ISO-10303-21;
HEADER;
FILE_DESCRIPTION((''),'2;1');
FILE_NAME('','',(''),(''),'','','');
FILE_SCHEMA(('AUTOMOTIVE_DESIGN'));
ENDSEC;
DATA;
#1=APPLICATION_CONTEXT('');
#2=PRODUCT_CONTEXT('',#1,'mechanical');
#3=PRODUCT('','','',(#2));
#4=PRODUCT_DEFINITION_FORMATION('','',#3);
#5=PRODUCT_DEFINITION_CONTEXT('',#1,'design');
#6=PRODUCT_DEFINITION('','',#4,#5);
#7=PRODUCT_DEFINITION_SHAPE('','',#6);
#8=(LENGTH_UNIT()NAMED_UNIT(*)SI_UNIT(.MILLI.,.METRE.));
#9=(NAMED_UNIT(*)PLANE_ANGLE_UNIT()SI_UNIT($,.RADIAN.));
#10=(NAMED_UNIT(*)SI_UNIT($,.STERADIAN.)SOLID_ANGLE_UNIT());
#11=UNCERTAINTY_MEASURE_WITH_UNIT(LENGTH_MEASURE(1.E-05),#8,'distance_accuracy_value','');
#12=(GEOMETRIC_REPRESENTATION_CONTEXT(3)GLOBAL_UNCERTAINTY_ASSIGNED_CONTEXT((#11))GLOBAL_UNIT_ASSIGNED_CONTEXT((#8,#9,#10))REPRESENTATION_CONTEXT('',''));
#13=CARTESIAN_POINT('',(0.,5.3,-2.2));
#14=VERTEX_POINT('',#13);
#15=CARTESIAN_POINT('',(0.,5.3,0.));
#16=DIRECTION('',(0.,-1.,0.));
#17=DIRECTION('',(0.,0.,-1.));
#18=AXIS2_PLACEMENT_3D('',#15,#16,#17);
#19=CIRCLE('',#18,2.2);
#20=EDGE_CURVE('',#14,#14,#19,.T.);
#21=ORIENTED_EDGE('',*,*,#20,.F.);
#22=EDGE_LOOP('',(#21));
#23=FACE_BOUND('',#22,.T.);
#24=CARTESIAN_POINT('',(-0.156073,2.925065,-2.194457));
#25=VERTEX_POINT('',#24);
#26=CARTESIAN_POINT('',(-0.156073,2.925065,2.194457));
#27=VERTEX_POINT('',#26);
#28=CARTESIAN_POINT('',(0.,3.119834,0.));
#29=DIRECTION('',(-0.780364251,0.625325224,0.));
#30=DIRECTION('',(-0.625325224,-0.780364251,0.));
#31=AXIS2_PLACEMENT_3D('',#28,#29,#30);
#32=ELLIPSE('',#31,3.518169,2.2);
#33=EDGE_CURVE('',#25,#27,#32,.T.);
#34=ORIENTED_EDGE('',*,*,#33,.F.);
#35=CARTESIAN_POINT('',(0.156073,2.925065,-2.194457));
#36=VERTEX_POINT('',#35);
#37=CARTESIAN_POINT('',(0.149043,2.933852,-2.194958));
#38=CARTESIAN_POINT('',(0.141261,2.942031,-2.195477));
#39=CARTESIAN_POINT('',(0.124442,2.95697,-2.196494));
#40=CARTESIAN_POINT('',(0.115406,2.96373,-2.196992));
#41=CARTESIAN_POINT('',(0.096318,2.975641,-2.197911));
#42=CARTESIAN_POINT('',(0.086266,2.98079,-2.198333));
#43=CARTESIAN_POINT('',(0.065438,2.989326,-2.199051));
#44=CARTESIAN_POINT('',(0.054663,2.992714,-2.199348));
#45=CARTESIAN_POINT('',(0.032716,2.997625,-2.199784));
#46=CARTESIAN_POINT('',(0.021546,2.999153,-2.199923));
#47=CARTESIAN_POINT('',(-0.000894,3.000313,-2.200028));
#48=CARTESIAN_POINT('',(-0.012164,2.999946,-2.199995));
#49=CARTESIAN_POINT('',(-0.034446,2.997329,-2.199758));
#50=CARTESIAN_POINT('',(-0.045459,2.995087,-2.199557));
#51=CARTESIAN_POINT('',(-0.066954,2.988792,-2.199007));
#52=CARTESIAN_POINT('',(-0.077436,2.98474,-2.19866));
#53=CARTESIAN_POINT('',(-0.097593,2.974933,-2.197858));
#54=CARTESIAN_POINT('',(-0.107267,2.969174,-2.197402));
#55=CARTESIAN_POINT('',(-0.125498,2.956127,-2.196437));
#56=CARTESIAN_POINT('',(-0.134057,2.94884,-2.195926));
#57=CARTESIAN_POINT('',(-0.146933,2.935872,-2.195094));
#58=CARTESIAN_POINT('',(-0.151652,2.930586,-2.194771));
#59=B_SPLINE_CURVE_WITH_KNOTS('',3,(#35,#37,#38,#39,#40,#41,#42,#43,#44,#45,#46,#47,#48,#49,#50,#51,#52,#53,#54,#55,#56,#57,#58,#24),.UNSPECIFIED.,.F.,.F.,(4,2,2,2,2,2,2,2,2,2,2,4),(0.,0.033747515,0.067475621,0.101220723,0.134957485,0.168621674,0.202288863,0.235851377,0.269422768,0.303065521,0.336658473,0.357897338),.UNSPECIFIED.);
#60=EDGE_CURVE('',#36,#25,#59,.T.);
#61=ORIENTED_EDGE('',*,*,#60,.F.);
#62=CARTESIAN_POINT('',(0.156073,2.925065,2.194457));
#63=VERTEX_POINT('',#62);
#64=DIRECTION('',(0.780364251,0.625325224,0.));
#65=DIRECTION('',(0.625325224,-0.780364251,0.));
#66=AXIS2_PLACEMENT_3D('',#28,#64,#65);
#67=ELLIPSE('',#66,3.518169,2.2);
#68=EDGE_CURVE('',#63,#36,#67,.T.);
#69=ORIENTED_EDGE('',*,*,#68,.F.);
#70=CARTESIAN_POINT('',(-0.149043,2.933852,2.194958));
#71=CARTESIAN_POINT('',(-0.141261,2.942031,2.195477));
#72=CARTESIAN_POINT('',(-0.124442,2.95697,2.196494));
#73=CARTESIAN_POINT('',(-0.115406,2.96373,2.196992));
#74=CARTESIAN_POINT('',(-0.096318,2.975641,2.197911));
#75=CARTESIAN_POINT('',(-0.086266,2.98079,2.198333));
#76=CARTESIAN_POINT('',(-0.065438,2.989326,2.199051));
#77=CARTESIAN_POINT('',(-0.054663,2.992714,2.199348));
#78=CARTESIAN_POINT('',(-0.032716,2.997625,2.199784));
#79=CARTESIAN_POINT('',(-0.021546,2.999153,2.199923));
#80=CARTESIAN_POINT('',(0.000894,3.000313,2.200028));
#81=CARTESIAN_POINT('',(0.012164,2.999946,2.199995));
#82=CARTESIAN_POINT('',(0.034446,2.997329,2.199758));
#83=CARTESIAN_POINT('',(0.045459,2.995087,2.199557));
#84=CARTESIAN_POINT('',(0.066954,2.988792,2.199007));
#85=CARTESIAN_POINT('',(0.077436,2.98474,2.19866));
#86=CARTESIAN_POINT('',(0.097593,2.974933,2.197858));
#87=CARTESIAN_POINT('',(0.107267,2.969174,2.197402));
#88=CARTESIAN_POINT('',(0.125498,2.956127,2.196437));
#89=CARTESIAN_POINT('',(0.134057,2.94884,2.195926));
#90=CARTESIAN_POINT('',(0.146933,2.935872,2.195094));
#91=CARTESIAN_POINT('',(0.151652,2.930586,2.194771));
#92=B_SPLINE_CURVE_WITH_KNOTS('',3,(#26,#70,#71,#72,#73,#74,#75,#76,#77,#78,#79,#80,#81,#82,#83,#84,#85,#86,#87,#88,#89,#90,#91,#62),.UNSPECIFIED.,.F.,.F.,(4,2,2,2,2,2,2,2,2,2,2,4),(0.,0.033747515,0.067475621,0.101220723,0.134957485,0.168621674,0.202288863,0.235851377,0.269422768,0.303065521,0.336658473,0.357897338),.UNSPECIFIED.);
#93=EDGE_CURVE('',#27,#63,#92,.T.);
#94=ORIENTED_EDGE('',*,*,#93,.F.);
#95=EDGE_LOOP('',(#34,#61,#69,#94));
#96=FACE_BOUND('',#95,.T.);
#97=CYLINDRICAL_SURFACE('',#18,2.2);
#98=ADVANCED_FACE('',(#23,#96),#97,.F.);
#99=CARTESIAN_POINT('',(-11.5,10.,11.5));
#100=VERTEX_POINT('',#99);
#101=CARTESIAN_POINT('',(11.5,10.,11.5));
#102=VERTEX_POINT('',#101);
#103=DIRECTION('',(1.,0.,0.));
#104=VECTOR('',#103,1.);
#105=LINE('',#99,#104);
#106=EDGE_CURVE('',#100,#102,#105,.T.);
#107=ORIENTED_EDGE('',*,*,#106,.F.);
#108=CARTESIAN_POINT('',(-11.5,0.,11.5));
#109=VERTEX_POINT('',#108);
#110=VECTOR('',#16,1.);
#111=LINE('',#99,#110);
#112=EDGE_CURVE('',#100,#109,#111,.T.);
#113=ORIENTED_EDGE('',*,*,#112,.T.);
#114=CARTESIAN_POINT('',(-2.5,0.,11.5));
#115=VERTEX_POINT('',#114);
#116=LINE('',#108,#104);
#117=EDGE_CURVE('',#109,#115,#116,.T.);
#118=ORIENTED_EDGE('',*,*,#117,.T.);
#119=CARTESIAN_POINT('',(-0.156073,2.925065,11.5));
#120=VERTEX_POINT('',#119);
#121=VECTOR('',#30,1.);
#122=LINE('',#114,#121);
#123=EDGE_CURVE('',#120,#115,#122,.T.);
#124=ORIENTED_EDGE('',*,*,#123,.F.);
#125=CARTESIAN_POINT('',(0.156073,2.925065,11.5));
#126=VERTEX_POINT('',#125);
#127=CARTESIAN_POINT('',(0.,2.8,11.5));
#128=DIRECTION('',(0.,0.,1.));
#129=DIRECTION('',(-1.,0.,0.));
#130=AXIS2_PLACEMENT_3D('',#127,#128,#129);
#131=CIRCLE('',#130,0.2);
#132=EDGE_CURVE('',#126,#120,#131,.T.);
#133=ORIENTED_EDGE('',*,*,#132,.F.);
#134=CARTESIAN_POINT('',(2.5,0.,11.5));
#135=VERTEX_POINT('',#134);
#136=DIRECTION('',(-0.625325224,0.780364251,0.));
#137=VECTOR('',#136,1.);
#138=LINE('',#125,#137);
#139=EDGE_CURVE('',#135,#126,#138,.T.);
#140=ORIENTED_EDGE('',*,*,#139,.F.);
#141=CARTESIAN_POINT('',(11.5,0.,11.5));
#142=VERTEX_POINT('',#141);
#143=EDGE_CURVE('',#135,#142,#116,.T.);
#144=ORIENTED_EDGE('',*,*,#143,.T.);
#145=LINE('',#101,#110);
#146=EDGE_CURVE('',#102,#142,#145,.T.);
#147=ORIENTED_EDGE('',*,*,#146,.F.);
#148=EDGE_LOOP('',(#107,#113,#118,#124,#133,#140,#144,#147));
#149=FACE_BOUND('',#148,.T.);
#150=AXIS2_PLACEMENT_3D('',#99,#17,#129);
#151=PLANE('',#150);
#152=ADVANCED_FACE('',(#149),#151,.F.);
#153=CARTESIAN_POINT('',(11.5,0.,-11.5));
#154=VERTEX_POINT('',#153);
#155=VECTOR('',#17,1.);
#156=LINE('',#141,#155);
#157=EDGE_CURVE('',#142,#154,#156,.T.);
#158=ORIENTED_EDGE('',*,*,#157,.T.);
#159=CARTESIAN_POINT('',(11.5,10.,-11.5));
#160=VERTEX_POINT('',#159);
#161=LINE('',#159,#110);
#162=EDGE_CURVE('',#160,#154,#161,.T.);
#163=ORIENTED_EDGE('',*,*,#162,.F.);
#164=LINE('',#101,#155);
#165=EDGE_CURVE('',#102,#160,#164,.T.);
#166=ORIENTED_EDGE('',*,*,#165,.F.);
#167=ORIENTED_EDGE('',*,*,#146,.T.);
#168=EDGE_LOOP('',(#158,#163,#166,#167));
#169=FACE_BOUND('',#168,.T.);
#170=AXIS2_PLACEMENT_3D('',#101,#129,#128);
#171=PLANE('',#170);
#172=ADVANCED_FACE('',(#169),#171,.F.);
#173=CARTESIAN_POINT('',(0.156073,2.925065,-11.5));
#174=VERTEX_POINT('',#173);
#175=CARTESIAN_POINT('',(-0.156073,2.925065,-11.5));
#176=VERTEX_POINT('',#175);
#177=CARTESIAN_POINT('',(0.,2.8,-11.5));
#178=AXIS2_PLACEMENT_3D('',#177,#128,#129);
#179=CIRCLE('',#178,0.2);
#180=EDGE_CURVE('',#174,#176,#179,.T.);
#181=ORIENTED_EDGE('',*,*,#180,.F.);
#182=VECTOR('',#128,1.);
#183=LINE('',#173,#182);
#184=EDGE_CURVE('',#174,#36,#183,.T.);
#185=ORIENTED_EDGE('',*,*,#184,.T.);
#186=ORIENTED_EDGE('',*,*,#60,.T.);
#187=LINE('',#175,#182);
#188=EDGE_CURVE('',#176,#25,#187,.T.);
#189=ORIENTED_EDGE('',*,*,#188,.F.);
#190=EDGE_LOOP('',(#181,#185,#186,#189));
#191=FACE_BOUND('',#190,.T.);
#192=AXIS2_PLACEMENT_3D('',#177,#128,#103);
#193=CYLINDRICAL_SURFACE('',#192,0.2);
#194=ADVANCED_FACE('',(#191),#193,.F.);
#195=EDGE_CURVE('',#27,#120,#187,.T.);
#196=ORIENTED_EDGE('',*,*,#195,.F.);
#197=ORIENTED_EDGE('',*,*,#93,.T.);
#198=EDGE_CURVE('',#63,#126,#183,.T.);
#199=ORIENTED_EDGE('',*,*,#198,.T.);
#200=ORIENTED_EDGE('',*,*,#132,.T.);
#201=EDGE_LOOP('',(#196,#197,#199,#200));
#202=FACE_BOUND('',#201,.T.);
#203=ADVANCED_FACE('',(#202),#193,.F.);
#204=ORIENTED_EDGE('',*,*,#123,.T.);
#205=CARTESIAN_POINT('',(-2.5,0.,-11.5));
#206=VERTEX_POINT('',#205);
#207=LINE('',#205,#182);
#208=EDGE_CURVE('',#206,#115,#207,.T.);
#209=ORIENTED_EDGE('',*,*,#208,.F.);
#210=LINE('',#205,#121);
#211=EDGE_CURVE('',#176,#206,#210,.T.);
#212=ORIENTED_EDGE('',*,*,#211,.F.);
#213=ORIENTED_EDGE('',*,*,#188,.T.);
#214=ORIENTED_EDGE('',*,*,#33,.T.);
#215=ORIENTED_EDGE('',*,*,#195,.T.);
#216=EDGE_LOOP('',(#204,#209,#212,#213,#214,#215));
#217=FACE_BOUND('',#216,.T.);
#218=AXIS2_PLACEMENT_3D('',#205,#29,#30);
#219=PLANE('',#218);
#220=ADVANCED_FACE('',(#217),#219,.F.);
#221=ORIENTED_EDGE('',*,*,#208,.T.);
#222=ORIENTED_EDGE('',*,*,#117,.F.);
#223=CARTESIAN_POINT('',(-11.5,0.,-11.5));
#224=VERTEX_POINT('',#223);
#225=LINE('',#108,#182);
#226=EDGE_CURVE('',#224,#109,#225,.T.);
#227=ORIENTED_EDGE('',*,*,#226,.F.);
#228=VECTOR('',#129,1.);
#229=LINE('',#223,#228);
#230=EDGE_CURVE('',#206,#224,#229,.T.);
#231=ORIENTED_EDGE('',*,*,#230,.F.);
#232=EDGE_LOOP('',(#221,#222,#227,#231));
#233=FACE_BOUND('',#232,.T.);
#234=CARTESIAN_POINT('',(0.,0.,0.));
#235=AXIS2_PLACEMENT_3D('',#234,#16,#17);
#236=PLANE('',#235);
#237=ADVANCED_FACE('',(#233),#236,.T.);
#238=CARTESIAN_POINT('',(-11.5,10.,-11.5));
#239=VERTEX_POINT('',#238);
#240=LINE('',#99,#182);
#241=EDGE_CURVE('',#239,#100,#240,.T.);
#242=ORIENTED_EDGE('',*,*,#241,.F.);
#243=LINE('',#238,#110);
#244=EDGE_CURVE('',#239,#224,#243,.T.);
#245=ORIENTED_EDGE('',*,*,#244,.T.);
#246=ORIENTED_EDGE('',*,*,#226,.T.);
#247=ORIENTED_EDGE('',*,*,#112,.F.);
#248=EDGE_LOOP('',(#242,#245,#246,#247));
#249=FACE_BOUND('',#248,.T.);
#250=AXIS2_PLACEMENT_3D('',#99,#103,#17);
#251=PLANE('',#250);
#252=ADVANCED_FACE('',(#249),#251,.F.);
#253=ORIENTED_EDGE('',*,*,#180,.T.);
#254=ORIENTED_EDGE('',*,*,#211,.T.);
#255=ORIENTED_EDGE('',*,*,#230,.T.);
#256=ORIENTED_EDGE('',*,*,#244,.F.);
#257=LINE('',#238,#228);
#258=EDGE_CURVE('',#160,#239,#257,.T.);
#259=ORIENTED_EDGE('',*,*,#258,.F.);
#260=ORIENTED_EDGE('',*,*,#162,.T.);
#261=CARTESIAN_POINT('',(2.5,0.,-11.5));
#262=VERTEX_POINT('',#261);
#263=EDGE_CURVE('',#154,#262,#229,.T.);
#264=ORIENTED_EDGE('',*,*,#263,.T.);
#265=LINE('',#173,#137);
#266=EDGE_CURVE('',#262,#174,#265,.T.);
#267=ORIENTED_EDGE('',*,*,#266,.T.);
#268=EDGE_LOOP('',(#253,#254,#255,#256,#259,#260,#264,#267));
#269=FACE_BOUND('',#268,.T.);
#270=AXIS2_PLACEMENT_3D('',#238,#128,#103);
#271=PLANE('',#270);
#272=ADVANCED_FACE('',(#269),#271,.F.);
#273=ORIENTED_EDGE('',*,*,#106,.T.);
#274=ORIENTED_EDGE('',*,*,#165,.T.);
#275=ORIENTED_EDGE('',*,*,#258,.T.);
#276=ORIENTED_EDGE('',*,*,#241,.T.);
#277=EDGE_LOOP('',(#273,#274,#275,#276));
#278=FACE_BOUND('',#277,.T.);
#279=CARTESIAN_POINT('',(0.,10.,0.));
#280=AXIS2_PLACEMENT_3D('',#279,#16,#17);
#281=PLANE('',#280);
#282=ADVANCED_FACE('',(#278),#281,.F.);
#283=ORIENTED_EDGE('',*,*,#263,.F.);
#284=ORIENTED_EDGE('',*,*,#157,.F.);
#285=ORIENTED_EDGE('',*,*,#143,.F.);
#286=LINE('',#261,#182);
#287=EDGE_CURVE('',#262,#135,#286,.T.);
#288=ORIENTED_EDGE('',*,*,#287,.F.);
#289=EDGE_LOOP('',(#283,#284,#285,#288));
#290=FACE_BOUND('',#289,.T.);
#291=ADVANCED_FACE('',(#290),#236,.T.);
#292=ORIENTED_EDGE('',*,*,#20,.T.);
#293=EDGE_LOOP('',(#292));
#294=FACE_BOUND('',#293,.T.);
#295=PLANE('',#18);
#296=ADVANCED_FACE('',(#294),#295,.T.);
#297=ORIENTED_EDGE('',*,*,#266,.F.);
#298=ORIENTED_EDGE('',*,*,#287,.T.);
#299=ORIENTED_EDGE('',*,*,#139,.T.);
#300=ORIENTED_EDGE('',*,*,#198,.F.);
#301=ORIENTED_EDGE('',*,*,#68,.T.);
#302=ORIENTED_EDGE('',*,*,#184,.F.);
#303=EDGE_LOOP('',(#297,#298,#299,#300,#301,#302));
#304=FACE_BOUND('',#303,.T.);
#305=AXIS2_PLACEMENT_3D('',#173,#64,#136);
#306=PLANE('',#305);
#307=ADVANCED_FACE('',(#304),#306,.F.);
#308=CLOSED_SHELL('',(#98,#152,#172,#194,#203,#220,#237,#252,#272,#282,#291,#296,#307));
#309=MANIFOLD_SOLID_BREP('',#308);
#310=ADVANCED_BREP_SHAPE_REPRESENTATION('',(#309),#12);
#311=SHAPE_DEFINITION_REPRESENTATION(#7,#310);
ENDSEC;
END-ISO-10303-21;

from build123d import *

# Parameters (mm, degrees)
SKETCH1_W           = 23
SKETCH1_H           = 23
BOSS_EXTRUDE1_DEPTH = 10
CUT_EXTRUDE1_DEPTH  = 24
SKETCH3_R           = 2.2
CUT_EXTRUDE2_DEPTH  = 5.3


with BuildPart() as part:
    # Sketch1 → Boss-Extrude1 (new body)
    with BuildSketch(Plane(origin=(0, 0, 0), x_dir=(1, 0, 0), z_dir=(0, 1, 0))):
        Rectangle(SKETCH1_W, SKETCH1_H)
    extrude(amount=BOSS_EXTRUDE1_DEPTH)

    # Sketch2 → Cut-Extrude1 (cut, through all)
    with BuildSketch(Plane.XY.offset(11.5)):
        with BuildLine():
            Line((-2.5, 0), (-0.15607285, 2.925065045))
            ThreePointArc((-0.15607285, 2.925065045), (0, 3), (0.15607285, 2.925065045))
            Line((0.15607285, 2.925065045), (2.5, 0))
            Line((2.5, 0), (-2.5, 0))
        make_face()
    extrude(amount=-CUT_EXTRUDE1_DEPTH, mode=Mode.SUBTRACT)

    # Sketch3 → Cut-Extrude2 (cut)
    with BuildSketch(Plane.XZ):
        Circle(SKETCH3_R)
    extrude(amount=-CUT_EXTRUDE2_DEPTH, mode=Mode.SUBTRACT)


solid = part.part
